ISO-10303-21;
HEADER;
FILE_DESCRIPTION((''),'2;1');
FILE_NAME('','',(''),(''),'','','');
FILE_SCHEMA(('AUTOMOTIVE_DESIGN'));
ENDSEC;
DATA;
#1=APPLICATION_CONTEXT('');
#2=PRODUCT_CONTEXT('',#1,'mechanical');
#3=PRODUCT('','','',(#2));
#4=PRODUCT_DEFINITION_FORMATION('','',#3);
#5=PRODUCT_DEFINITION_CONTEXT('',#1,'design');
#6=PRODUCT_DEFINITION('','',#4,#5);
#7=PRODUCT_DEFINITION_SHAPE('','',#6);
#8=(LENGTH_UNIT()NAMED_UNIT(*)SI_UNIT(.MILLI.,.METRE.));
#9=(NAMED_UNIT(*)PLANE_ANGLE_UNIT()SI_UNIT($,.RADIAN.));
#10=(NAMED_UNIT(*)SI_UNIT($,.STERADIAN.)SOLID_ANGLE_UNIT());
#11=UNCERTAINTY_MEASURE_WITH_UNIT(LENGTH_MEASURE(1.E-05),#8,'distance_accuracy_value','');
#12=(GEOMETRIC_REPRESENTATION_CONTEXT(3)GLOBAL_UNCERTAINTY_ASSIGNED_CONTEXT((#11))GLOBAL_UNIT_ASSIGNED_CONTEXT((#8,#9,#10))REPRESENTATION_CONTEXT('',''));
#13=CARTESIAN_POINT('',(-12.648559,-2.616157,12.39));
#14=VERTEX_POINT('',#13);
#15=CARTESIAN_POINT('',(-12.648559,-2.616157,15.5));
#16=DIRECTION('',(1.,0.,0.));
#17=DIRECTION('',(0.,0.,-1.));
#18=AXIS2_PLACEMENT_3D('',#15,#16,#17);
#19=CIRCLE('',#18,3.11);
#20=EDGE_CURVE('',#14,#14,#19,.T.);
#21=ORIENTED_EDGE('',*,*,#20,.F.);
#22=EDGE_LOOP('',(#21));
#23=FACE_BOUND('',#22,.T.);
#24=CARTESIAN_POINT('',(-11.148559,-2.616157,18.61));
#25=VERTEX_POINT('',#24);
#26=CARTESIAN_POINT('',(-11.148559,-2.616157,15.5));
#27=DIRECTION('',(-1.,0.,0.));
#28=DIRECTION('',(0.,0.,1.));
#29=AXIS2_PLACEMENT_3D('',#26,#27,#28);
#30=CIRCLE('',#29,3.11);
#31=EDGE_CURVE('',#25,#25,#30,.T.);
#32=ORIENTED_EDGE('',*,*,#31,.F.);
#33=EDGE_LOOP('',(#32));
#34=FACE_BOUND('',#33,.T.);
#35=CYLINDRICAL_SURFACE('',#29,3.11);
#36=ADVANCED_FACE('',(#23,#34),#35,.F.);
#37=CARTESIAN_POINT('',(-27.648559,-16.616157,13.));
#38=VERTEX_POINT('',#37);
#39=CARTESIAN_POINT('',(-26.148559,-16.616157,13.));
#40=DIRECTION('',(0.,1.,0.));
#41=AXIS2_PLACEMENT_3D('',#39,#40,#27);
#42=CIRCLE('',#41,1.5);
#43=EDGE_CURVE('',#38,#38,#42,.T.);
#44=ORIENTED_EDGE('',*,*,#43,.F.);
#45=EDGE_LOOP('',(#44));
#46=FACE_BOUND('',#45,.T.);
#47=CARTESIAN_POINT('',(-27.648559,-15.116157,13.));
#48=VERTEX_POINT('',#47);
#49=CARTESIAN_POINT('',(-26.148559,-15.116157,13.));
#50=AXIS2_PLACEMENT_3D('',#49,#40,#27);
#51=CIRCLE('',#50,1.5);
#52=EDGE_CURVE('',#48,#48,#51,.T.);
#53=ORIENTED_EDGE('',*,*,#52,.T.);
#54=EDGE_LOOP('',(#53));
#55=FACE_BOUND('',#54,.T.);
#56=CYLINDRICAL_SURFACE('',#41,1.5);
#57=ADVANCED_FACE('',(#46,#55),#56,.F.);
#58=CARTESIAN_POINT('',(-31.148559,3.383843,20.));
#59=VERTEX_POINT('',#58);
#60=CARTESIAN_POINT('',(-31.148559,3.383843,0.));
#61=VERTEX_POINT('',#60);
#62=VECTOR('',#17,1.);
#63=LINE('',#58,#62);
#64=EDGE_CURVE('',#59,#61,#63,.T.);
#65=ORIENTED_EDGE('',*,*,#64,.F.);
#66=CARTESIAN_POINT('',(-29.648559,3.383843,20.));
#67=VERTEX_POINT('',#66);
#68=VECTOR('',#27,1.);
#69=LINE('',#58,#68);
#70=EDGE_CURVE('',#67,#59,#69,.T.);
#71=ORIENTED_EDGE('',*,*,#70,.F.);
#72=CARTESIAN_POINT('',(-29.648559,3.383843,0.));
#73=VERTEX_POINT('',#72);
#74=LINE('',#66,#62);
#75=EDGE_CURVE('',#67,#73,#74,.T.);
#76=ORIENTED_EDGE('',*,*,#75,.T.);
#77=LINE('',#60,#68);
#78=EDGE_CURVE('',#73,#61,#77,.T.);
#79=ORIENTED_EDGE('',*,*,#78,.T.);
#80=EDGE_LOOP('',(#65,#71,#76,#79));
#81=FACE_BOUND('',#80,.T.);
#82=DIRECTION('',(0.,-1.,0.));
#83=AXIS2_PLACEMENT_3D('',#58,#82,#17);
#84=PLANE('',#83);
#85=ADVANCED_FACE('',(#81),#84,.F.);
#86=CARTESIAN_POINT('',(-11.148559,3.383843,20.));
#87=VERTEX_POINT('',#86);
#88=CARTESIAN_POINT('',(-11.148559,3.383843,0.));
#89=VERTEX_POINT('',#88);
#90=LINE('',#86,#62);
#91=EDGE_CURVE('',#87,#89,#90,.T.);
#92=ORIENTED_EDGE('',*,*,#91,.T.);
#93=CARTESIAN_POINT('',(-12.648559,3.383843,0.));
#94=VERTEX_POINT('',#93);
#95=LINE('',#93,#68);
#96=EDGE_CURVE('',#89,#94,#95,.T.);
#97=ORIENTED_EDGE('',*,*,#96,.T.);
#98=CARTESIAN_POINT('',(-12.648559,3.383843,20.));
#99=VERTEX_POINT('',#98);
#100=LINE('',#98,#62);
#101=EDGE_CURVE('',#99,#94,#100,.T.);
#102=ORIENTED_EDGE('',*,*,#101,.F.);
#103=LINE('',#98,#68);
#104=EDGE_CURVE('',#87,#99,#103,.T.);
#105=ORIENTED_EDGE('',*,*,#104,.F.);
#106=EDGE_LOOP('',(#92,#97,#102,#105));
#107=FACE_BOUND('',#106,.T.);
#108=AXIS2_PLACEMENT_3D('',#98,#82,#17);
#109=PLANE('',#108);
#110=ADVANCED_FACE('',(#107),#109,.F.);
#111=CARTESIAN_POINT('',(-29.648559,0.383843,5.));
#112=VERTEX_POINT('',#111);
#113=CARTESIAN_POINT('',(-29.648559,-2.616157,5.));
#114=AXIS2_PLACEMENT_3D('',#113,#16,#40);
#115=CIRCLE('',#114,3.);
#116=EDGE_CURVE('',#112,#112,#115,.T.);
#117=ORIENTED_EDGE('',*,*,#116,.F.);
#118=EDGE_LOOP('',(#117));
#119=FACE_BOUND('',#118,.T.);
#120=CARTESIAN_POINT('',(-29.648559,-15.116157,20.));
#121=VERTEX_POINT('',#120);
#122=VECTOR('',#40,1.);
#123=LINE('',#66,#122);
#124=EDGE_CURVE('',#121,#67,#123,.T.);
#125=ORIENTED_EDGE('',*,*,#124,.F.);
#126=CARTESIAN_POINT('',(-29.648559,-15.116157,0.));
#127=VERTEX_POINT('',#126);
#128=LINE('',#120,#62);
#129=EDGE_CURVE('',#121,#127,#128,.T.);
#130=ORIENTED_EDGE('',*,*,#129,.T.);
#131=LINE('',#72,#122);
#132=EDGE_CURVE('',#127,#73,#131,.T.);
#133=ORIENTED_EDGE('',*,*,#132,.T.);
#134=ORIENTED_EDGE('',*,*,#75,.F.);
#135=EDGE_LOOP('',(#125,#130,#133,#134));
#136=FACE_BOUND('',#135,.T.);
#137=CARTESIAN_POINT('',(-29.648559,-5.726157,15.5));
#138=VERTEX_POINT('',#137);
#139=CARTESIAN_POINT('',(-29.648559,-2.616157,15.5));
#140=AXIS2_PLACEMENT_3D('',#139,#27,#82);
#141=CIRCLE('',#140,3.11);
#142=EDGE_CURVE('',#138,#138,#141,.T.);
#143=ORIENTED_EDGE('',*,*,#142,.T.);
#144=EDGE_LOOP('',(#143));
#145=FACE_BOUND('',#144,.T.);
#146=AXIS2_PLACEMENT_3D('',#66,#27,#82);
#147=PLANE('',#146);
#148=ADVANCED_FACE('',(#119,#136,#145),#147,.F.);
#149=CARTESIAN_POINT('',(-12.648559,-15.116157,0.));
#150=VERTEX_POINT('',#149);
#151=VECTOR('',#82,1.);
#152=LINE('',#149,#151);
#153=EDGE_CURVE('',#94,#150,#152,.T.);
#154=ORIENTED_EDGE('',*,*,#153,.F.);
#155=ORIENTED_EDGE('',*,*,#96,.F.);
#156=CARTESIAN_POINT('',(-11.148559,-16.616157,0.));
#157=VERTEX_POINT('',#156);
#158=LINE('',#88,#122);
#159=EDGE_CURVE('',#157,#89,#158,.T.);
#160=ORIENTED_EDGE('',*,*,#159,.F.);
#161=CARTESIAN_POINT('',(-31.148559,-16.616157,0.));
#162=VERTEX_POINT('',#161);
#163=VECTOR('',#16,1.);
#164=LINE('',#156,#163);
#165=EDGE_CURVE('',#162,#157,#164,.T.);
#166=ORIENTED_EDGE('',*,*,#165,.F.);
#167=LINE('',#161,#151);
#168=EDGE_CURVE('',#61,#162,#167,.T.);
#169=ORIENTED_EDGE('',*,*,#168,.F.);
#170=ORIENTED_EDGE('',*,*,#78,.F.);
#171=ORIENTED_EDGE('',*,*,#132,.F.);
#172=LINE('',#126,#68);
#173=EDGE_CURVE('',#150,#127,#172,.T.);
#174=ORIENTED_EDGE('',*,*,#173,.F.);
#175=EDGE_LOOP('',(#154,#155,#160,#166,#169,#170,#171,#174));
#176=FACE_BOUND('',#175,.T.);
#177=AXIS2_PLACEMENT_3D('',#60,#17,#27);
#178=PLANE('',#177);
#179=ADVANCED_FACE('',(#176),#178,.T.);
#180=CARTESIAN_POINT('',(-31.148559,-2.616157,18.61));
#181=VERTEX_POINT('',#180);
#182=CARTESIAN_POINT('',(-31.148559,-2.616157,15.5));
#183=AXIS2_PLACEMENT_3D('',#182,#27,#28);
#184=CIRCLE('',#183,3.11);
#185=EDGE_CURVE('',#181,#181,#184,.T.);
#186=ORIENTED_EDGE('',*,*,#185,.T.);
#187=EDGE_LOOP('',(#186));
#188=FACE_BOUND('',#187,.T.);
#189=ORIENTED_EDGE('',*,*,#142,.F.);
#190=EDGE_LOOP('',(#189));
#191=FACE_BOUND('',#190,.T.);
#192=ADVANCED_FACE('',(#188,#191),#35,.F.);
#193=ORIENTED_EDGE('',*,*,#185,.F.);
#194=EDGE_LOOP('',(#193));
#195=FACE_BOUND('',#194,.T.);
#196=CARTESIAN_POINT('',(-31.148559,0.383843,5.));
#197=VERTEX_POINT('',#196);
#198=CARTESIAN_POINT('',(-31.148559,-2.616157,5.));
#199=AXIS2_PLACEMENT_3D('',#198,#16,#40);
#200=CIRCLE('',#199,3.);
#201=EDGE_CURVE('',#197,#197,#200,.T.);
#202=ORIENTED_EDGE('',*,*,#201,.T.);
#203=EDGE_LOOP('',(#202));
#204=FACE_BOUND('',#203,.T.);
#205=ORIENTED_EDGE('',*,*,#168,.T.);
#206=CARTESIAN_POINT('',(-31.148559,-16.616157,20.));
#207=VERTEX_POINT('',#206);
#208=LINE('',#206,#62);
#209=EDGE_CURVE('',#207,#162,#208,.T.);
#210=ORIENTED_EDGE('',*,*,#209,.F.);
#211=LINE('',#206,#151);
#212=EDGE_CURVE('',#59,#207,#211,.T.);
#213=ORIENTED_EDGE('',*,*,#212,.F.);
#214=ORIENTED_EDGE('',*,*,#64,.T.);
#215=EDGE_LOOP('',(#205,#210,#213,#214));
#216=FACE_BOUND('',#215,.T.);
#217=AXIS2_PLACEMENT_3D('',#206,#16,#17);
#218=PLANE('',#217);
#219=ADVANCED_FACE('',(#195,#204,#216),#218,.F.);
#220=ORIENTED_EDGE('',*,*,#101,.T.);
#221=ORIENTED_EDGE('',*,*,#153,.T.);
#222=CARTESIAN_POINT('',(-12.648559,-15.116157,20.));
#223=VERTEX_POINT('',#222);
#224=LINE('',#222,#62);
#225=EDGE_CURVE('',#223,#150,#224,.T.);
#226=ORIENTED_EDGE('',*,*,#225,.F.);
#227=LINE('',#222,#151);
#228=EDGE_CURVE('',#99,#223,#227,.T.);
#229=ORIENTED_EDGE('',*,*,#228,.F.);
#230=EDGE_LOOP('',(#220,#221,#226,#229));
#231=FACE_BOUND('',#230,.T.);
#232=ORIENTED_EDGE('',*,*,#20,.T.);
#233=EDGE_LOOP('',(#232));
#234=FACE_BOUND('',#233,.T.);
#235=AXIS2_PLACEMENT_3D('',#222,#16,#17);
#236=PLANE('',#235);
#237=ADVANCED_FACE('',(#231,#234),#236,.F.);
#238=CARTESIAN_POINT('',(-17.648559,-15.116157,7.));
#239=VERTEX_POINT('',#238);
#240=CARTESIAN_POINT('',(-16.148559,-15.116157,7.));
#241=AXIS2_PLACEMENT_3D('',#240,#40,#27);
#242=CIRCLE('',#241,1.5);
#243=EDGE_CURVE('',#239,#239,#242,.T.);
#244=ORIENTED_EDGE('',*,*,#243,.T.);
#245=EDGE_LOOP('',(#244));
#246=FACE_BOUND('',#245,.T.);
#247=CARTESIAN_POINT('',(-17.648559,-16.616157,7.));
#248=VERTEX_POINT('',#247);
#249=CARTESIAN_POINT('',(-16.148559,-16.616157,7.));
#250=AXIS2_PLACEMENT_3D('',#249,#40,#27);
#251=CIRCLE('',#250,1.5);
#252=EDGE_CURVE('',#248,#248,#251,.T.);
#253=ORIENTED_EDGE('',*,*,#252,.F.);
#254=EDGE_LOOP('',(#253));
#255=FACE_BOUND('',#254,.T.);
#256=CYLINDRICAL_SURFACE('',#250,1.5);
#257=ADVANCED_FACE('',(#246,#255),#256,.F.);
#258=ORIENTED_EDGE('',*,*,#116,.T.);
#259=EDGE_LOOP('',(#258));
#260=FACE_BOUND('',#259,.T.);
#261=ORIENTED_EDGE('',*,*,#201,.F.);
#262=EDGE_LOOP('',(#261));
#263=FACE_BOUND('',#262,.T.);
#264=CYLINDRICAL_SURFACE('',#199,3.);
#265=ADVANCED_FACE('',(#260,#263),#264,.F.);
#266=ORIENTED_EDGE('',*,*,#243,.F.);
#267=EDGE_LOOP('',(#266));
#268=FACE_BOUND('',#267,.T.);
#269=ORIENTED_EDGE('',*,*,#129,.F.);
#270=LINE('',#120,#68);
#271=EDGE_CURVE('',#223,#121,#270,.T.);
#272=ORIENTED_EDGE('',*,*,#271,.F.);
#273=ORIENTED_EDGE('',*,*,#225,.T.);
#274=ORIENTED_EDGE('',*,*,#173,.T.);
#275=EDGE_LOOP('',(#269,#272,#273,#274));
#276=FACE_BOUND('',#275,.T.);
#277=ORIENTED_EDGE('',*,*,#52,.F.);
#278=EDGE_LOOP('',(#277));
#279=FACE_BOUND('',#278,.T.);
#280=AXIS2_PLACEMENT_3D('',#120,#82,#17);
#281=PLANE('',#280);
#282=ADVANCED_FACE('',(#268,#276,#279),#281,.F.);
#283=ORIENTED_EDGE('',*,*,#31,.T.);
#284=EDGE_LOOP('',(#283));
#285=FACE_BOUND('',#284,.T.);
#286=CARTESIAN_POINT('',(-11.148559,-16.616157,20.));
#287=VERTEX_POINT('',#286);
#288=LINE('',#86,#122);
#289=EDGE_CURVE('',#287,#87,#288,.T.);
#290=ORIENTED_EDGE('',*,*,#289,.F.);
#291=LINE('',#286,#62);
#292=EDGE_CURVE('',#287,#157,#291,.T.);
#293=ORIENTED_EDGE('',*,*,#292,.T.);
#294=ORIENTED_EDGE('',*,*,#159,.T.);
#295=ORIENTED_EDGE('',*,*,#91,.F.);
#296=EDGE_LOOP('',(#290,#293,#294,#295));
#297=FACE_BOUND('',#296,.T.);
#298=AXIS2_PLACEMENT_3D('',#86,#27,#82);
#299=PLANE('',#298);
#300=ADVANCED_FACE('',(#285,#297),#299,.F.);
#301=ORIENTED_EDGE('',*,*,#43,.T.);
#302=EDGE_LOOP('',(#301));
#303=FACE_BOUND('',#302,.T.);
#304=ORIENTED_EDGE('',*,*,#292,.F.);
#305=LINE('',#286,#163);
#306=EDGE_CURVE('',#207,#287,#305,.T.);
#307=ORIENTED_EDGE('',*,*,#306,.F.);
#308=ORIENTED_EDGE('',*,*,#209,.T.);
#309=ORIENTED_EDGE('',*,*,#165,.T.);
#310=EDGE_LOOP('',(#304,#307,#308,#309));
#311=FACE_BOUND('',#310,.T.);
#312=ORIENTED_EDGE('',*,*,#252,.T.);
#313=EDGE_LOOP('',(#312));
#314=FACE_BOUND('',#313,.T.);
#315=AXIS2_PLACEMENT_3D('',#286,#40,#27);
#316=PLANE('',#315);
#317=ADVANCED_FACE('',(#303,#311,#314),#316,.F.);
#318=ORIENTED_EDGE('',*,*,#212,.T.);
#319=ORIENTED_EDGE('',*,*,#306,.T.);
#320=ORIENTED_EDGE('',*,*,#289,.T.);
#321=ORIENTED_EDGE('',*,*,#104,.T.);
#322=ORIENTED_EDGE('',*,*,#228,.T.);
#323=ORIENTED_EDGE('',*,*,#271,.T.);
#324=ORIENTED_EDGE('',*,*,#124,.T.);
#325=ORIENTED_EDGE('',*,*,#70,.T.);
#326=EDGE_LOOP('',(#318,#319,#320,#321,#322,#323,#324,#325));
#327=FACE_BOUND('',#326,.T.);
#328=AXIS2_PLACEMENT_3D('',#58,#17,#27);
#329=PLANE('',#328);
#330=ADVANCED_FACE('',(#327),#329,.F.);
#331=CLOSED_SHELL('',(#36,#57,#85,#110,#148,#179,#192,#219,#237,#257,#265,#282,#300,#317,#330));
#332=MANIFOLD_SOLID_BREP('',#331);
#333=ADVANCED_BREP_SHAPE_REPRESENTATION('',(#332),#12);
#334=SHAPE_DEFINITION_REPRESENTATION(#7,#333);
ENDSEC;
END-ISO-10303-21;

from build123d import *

# Parameters (mm, degrees)
EXTRUSION1_DEPTH = 20
ESQUISSE2_R      = 1.5
EXTRUSION2_DEPTH = 42.382154348
ESQUISSE4_R      = 3
EXTRUSION3_DEPTH = 32.911544508
ESQUISSE5_R      = 3.11
EXTRUSION4_DEPTH = 33.803912463


with BuildPart() as part:
    # Esquisse1 → Extrusion1 (new body)
    with BuildSketch(Plane.XY):
        Polygon((-31.14855853, 3.383843017), (-29.64855853, 3.383843017), (-29.64855853, -15.116156983), (-12.64855853, -15.116156983), (-12.64855853, 3.383843017), (-11.14855853, 3.383843017), (-11.14855853, -16.616156983), (-31.14855853, -16.616156983), align=None)
    extrude(amount=EXTRUSION1_DEPTH)

    # Esquisse2 → Extrusion2 (cut, through all)
    with BuildSketch(Plane(origin=(0, -15.116156983, 0), x_dir=(-1, 0, 0), z_dir=(0, 1, 0))):
        with Locations((26.14855853, 13)):
            Circle(ESQUISSE2_R)
        with Locations((16.14855853, 7)):
            Circle(ESQUISSE2_R)
    extrude(amount=-EXTRUSION2_DEPTH, mode=Mode.SUBTRACT)

    # Esquisse4 → Extrusion3 (cut, through all)
    with BuildSketch(Plane(origin=(-29.64855853, 0, 0), x_dir=(0, 0, -1), z_dir=(1, 0, 0))):
        with Locations(Location((-5, -2.616156983, 0), (0, 0, 90))):
            Circle(ESQUISSE4_R)
    extrude(amount=-EXTRUSION3_DEPTH, mode=Mode.SUBTRACT)

    # Esquisse5 → Extrusion4 (cut, through all)
    with BuildSketch(Plane.ZY.offset(31.14855853)):
        with Locations((15.5, -2.616156983)):
            Circle(ESQUISSE5_R)
    extrude(amount=-EXTRUSION4_DEPTH, mode=Mode.SUBTRACT)


solid = part.part
